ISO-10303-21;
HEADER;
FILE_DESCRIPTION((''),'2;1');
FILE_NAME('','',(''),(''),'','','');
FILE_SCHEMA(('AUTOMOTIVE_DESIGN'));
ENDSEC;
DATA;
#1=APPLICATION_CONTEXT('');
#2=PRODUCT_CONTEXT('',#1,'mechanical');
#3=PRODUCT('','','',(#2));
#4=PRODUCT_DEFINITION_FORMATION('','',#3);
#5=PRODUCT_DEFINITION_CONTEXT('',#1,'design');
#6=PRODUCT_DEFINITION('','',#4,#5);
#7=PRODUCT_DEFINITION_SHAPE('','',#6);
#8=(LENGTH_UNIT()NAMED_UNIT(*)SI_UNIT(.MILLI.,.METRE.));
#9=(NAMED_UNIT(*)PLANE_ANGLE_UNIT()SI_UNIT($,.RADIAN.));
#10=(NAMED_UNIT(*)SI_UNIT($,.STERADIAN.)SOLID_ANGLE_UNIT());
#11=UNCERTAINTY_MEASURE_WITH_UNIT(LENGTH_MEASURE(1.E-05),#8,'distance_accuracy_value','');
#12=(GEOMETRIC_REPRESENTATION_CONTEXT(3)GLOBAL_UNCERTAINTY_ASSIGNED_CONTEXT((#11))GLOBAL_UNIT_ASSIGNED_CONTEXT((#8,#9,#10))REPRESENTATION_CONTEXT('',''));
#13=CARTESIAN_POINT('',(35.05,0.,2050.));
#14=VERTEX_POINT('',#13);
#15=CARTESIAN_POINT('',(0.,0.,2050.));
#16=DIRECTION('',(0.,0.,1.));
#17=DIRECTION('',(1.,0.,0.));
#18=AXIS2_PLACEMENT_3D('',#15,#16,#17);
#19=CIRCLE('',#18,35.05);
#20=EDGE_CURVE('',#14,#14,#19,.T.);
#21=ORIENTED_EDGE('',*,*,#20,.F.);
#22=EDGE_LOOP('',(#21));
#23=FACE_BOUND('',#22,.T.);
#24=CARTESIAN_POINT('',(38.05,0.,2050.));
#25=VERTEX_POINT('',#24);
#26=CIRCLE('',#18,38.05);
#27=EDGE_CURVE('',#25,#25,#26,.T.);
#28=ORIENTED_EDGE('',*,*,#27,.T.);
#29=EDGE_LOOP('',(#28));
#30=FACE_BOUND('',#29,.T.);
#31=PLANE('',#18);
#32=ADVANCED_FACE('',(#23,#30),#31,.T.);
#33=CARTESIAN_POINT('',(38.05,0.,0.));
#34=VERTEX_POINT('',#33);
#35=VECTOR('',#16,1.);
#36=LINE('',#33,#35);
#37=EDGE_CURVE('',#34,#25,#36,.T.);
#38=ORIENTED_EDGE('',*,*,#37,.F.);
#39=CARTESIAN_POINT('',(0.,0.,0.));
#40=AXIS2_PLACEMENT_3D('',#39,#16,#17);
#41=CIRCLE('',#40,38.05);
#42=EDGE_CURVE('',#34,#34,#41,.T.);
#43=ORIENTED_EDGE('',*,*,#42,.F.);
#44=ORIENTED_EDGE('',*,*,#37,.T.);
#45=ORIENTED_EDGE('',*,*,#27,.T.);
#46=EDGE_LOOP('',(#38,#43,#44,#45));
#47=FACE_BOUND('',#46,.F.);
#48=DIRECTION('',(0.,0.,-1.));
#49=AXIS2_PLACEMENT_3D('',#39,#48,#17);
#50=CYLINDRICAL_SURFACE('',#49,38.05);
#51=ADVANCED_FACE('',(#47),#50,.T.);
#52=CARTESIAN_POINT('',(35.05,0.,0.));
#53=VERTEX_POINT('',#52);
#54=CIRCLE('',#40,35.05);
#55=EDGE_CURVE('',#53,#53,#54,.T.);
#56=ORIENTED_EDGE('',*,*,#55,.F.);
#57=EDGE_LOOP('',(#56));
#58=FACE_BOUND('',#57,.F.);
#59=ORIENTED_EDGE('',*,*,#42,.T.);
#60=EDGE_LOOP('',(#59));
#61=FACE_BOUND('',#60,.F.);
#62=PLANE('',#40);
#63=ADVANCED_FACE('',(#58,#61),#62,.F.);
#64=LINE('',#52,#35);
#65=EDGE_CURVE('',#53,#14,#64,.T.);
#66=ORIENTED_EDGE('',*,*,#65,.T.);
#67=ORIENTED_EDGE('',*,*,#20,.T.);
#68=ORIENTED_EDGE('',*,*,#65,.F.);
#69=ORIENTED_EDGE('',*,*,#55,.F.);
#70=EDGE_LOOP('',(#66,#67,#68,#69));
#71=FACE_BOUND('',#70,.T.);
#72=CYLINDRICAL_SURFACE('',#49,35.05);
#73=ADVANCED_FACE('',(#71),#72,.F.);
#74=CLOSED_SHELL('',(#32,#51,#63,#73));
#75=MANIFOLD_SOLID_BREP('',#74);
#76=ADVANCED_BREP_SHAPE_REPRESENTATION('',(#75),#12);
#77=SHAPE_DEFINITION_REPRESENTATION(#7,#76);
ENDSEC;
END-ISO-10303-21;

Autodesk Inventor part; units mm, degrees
ref_plane "YZ Plane" through (0, 0, 0) normal (1, 0, 0) x (0, 1, 0)
ref_plane "XZ Plane" through (0, 0, 0) normal (0, 1, 0) x (-1, 0, 0)
ref_plane "XY Plane" through (0, 0, 0) normal (0, 0, 1) x (1, 0, 0)
sketch "Sketch1" plane through (0, 0, 0) normal (0, 0, 1) x (1, 0, 0)
  circle A0 centre (0, 0) radius 38.05
  circle A1 centre (0, 0) radius 35.05
  dimension "d0" = 76.1
  dimension "d1" = 3
extrude "Extrusion1" add sketch "Sketch1" along normal blind 2050
properties part number "MSC 618 belly tube 18"
